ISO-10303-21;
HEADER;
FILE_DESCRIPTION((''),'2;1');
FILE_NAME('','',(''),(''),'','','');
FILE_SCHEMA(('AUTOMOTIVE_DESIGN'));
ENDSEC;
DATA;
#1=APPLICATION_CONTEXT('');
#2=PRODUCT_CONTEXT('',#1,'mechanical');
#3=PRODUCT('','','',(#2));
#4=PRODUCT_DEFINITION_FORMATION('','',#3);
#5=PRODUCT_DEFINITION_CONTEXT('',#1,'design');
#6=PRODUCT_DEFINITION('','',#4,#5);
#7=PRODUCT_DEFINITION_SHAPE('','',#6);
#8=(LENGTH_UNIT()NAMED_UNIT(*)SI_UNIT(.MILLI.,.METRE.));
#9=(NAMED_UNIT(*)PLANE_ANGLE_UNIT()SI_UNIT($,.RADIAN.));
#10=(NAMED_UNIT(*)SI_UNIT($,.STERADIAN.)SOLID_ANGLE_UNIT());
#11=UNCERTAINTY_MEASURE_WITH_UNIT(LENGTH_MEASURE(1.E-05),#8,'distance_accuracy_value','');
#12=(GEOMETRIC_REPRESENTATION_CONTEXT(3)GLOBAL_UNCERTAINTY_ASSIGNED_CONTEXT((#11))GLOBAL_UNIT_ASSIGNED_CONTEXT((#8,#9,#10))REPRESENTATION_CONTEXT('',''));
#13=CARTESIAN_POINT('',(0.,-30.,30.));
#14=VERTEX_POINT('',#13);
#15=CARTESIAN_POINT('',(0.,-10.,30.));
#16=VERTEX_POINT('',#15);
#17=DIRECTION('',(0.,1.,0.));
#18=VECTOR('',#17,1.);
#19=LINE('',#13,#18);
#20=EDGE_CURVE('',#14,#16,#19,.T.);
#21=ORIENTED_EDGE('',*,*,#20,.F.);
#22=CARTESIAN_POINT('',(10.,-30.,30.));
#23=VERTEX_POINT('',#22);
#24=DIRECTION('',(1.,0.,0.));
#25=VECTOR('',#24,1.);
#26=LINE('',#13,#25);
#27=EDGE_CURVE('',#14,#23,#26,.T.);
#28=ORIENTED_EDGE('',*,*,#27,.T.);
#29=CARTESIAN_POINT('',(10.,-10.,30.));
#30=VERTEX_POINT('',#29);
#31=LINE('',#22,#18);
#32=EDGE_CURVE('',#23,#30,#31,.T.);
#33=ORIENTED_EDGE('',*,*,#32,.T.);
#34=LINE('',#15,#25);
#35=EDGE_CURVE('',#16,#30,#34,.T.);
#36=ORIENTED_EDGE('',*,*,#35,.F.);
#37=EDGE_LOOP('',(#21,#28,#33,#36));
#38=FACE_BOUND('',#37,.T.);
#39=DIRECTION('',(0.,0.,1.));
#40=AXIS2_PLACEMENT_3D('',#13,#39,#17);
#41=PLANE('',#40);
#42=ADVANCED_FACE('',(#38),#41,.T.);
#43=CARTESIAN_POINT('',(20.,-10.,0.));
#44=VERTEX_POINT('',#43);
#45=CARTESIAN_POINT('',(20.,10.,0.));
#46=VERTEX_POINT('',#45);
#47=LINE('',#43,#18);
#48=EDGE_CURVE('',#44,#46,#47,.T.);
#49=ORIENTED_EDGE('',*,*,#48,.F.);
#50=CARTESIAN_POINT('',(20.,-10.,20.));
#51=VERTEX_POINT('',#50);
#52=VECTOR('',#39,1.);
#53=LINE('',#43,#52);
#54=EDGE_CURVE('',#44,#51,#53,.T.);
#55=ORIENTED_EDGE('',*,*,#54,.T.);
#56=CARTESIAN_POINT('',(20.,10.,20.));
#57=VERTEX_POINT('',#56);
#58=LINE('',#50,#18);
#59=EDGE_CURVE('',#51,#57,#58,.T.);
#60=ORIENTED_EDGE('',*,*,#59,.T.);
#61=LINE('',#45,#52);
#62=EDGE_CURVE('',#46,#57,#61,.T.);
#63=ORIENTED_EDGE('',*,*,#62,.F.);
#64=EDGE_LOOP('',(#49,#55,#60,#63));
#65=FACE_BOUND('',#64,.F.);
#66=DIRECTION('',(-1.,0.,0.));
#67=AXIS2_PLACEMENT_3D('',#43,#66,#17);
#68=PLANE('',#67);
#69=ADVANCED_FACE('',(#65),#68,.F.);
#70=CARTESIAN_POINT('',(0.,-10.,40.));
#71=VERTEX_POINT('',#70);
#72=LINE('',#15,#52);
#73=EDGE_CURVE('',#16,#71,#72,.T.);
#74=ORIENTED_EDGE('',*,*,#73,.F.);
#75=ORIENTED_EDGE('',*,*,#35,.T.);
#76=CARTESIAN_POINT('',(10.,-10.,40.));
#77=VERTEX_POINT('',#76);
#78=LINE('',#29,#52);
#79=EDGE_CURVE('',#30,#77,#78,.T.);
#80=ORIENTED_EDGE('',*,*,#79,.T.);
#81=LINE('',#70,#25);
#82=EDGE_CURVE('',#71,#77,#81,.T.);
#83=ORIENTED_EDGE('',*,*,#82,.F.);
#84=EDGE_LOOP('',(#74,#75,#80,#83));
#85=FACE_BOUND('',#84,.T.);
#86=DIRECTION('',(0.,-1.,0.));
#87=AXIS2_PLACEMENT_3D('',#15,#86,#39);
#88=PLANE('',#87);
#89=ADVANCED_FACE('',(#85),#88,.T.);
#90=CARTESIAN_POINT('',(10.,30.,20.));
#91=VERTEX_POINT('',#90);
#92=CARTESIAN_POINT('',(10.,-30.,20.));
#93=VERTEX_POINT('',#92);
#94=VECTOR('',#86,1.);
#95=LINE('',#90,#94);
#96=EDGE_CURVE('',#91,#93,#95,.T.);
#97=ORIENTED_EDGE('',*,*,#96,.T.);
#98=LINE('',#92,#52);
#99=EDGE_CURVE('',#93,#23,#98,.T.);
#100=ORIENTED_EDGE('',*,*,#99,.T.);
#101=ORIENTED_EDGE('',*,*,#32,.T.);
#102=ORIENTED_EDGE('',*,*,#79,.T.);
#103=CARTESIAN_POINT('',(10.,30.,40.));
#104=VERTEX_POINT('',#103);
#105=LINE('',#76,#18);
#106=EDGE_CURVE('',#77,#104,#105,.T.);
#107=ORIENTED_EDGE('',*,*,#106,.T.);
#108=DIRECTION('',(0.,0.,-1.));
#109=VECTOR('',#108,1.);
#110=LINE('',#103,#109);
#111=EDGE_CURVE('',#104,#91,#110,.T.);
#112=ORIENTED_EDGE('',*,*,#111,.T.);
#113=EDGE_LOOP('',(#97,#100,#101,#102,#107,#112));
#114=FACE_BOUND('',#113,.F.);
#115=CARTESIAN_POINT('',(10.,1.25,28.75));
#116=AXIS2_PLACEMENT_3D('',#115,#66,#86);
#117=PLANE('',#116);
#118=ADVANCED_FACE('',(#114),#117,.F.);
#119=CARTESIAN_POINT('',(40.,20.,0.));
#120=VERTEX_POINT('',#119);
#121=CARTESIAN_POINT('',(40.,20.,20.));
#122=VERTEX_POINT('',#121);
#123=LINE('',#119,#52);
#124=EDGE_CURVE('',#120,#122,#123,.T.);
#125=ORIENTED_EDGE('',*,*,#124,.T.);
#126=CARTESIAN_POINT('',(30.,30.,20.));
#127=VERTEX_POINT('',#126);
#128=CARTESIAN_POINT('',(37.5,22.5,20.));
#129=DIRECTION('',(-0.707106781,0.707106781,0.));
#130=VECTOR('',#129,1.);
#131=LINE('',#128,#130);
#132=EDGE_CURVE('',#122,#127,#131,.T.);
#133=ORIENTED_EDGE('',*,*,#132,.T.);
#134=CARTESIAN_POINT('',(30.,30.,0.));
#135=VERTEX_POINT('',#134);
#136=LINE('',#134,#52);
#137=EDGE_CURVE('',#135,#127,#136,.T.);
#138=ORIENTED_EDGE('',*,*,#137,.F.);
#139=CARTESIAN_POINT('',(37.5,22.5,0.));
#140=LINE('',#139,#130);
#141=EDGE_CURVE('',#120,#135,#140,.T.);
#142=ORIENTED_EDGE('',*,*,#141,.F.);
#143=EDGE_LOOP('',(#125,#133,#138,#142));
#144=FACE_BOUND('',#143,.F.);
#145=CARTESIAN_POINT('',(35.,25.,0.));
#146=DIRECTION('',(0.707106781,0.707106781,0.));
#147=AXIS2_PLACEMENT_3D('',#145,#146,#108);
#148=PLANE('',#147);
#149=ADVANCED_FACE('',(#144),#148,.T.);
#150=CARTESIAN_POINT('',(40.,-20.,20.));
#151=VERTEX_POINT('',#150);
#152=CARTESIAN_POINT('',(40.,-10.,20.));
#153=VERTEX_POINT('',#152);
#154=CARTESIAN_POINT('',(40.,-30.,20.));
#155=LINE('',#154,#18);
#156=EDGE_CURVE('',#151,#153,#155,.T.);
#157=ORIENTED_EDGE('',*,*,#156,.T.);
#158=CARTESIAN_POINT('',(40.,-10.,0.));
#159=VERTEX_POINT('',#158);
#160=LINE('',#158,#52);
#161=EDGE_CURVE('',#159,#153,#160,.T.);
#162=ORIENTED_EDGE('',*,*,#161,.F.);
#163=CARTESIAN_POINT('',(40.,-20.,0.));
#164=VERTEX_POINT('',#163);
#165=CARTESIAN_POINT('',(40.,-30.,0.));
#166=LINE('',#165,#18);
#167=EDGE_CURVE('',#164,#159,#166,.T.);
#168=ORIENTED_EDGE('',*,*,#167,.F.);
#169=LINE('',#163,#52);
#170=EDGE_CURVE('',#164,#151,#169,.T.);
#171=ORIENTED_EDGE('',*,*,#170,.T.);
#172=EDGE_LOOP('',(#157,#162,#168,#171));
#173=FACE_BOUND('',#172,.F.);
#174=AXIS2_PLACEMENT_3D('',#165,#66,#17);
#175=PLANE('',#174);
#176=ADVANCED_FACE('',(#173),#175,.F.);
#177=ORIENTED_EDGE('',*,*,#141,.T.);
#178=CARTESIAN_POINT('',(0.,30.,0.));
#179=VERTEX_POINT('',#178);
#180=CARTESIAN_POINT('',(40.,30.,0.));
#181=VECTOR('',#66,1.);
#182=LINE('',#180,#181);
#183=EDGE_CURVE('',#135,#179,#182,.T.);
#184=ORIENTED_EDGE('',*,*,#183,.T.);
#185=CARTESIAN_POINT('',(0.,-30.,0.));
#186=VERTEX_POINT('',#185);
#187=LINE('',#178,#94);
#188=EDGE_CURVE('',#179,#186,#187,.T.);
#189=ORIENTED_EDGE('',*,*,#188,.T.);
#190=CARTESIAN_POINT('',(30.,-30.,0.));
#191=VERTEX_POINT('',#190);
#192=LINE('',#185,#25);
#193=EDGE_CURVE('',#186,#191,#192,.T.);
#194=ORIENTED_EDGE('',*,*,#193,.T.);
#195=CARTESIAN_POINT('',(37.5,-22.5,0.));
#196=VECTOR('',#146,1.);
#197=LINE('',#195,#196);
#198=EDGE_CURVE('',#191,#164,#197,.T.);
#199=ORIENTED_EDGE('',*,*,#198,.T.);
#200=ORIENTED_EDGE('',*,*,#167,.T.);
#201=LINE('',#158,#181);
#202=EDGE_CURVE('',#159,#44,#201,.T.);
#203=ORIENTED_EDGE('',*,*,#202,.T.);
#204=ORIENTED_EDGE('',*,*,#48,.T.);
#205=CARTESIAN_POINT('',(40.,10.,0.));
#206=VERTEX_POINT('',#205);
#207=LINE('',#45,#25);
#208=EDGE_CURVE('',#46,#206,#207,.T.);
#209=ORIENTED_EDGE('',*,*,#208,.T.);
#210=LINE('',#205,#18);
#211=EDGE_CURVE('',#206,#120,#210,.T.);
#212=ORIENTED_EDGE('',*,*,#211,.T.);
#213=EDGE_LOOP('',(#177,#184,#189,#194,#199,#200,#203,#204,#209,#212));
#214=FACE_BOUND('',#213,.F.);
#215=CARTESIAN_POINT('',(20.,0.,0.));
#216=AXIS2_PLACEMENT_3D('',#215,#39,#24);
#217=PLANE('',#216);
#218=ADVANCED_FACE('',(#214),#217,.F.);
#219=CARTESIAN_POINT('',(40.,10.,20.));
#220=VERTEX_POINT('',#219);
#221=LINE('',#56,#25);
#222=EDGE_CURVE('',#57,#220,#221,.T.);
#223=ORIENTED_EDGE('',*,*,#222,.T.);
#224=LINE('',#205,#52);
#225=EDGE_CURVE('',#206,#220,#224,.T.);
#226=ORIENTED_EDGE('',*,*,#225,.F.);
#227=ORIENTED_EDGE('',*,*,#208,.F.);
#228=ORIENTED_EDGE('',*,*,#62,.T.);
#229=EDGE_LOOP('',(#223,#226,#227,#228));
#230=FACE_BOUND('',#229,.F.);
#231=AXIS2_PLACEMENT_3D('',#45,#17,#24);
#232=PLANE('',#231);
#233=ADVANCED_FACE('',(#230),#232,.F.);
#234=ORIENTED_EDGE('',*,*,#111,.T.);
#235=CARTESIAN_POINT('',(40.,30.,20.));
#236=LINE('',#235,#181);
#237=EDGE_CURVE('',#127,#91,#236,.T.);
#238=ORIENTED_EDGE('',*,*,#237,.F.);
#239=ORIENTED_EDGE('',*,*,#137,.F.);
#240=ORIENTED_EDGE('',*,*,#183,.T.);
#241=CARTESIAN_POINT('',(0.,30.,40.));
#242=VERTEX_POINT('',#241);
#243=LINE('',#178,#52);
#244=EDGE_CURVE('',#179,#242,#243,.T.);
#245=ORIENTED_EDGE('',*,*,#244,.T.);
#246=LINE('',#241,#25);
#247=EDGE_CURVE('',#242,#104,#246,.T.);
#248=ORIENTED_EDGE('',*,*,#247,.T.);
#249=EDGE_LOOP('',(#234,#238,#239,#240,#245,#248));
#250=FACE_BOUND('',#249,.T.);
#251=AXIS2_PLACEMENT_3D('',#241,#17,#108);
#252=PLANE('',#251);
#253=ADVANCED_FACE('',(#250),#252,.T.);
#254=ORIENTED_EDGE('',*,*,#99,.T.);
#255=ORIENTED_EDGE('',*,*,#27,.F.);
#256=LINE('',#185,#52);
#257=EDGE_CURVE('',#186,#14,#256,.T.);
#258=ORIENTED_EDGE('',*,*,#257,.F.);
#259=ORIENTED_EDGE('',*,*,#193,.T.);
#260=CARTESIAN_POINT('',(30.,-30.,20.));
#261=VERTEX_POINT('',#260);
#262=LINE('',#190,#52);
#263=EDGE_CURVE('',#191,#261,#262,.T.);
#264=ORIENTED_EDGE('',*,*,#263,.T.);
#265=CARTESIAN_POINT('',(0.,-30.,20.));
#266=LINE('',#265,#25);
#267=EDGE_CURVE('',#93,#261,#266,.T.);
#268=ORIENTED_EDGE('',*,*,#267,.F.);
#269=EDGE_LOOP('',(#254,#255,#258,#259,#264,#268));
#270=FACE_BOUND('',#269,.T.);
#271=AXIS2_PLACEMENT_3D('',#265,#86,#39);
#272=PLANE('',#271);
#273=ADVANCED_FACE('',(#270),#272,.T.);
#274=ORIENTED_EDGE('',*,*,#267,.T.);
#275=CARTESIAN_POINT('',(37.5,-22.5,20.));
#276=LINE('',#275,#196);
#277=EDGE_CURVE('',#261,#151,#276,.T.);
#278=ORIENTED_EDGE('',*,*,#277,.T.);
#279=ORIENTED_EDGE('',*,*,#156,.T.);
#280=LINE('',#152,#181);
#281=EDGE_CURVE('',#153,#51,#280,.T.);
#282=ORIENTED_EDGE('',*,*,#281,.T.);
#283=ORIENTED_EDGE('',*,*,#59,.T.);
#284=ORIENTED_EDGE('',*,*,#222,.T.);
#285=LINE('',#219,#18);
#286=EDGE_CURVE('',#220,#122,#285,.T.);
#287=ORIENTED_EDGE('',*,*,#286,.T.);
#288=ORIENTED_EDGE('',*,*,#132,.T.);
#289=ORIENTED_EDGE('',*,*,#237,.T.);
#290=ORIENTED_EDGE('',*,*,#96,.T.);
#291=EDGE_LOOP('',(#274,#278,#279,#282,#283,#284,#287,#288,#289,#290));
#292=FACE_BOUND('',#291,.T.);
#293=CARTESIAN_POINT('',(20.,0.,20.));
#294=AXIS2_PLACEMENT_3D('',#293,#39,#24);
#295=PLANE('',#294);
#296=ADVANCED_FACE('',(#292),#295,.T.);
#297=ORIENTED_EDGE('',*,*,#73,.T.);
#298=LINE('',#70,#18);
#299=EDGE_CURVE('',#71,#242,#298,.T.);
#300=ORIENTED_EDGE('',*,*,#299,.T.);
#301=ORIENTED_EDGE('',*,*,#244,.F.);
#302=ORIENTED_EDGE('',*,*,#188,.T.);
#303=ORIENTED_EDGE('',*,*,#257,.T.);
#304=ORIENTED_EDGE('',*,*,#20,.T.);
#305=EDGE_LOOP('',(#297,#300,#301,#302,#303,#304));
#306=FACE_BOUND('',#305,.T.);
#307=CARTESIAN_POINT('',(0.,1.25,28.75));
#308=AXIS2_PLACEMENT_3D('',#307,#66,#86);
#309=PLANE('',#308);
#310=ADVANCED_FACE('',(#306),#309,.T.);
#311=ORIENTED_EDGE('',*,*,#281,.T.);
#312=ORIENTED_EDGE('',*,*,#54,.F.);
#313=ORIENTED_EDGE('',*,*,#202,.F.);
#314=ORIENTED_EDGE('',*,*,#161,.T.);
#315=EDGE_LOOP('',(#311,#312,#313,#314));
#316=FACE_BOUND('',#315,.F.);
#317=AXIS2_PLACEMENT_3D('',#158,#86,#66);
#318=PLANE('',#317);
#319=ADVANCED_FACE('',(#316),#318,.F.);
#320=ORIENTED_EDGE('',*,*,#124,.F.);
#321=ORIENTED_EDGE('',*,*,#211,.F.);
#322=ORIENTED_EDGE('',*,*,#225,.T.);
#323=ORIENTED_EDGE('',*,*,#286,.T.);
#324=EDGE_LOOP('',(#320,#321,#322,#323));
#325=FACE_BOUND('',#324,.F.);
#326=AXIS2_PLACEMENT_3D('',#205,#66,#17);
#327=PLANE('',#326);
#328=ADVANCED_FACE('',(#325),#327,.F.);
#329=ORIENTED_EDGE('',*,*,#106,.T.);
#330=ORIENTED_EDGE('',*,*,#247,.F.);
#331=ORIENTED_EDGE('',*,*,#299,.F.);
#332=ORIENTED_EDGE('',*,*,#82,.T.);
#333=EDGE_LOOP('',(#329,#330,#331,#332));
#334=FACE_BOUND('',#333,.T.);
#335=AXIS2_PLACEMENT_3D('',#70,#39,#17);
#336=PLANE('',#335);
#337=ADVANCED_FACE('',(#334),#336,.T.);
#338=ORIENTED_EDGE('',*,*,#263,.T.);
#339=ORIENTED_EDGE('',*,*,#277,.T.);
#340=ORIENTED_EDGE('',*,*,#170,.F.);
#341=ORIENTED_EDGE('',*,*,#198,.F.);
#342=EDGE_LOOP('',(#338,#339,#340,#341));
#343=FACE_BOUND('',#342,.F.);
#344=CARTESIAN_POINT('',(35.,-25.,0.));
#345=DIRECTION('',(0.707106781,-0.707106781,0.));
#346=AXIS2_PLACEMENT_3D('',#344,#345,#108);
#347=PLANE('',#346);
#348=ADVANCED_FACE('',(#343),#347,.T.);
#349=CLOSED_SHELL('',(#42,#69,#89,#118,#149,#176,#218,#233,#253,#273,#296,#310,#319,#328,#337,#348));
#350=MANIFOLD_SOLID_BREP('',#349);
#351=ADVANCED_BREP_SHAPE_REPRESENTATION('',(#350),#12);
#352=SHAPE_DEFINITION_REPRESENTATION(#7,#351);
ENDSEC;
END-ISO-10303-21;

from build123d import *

# Parameters (mm, degrees)
F1_DEPTH = 20
F2_SIZE  = 10
F4_DEPTH = 10


with BuildPart() as f1:
    # F0 (on Top) → F1 (new body)
    with BuildSketch(Plane.XY):
        Polygon((0, 30), (0, -30), (40, -30), (40, -10), (20, -10), (20, 10), (40, 10), (40, 30), align=None)
    extrude(amount=F1_DEPTH)

    # F2
    f2_edges = [f1.edges().sort_by_distance(p)[0] for p in [
        (40, -30, 10),
        (40, 30, 10),
    ]]
    chamfer(f2_edges, length=F2_SIZE)

    # F3 (on face) → F4 (join)
    with BuildSketch(Plane(origin=(0, 0, 0), x_dir=(0, -1, 0), z_dir=(-1, 0, 0))):
        Polygon((-30, 40), (-30, 20), (30, 20), (30, 30), (10, 30), (10, 40), align=None)
    extrude(amount=-F4_DEPTH)


solid = f1.part
